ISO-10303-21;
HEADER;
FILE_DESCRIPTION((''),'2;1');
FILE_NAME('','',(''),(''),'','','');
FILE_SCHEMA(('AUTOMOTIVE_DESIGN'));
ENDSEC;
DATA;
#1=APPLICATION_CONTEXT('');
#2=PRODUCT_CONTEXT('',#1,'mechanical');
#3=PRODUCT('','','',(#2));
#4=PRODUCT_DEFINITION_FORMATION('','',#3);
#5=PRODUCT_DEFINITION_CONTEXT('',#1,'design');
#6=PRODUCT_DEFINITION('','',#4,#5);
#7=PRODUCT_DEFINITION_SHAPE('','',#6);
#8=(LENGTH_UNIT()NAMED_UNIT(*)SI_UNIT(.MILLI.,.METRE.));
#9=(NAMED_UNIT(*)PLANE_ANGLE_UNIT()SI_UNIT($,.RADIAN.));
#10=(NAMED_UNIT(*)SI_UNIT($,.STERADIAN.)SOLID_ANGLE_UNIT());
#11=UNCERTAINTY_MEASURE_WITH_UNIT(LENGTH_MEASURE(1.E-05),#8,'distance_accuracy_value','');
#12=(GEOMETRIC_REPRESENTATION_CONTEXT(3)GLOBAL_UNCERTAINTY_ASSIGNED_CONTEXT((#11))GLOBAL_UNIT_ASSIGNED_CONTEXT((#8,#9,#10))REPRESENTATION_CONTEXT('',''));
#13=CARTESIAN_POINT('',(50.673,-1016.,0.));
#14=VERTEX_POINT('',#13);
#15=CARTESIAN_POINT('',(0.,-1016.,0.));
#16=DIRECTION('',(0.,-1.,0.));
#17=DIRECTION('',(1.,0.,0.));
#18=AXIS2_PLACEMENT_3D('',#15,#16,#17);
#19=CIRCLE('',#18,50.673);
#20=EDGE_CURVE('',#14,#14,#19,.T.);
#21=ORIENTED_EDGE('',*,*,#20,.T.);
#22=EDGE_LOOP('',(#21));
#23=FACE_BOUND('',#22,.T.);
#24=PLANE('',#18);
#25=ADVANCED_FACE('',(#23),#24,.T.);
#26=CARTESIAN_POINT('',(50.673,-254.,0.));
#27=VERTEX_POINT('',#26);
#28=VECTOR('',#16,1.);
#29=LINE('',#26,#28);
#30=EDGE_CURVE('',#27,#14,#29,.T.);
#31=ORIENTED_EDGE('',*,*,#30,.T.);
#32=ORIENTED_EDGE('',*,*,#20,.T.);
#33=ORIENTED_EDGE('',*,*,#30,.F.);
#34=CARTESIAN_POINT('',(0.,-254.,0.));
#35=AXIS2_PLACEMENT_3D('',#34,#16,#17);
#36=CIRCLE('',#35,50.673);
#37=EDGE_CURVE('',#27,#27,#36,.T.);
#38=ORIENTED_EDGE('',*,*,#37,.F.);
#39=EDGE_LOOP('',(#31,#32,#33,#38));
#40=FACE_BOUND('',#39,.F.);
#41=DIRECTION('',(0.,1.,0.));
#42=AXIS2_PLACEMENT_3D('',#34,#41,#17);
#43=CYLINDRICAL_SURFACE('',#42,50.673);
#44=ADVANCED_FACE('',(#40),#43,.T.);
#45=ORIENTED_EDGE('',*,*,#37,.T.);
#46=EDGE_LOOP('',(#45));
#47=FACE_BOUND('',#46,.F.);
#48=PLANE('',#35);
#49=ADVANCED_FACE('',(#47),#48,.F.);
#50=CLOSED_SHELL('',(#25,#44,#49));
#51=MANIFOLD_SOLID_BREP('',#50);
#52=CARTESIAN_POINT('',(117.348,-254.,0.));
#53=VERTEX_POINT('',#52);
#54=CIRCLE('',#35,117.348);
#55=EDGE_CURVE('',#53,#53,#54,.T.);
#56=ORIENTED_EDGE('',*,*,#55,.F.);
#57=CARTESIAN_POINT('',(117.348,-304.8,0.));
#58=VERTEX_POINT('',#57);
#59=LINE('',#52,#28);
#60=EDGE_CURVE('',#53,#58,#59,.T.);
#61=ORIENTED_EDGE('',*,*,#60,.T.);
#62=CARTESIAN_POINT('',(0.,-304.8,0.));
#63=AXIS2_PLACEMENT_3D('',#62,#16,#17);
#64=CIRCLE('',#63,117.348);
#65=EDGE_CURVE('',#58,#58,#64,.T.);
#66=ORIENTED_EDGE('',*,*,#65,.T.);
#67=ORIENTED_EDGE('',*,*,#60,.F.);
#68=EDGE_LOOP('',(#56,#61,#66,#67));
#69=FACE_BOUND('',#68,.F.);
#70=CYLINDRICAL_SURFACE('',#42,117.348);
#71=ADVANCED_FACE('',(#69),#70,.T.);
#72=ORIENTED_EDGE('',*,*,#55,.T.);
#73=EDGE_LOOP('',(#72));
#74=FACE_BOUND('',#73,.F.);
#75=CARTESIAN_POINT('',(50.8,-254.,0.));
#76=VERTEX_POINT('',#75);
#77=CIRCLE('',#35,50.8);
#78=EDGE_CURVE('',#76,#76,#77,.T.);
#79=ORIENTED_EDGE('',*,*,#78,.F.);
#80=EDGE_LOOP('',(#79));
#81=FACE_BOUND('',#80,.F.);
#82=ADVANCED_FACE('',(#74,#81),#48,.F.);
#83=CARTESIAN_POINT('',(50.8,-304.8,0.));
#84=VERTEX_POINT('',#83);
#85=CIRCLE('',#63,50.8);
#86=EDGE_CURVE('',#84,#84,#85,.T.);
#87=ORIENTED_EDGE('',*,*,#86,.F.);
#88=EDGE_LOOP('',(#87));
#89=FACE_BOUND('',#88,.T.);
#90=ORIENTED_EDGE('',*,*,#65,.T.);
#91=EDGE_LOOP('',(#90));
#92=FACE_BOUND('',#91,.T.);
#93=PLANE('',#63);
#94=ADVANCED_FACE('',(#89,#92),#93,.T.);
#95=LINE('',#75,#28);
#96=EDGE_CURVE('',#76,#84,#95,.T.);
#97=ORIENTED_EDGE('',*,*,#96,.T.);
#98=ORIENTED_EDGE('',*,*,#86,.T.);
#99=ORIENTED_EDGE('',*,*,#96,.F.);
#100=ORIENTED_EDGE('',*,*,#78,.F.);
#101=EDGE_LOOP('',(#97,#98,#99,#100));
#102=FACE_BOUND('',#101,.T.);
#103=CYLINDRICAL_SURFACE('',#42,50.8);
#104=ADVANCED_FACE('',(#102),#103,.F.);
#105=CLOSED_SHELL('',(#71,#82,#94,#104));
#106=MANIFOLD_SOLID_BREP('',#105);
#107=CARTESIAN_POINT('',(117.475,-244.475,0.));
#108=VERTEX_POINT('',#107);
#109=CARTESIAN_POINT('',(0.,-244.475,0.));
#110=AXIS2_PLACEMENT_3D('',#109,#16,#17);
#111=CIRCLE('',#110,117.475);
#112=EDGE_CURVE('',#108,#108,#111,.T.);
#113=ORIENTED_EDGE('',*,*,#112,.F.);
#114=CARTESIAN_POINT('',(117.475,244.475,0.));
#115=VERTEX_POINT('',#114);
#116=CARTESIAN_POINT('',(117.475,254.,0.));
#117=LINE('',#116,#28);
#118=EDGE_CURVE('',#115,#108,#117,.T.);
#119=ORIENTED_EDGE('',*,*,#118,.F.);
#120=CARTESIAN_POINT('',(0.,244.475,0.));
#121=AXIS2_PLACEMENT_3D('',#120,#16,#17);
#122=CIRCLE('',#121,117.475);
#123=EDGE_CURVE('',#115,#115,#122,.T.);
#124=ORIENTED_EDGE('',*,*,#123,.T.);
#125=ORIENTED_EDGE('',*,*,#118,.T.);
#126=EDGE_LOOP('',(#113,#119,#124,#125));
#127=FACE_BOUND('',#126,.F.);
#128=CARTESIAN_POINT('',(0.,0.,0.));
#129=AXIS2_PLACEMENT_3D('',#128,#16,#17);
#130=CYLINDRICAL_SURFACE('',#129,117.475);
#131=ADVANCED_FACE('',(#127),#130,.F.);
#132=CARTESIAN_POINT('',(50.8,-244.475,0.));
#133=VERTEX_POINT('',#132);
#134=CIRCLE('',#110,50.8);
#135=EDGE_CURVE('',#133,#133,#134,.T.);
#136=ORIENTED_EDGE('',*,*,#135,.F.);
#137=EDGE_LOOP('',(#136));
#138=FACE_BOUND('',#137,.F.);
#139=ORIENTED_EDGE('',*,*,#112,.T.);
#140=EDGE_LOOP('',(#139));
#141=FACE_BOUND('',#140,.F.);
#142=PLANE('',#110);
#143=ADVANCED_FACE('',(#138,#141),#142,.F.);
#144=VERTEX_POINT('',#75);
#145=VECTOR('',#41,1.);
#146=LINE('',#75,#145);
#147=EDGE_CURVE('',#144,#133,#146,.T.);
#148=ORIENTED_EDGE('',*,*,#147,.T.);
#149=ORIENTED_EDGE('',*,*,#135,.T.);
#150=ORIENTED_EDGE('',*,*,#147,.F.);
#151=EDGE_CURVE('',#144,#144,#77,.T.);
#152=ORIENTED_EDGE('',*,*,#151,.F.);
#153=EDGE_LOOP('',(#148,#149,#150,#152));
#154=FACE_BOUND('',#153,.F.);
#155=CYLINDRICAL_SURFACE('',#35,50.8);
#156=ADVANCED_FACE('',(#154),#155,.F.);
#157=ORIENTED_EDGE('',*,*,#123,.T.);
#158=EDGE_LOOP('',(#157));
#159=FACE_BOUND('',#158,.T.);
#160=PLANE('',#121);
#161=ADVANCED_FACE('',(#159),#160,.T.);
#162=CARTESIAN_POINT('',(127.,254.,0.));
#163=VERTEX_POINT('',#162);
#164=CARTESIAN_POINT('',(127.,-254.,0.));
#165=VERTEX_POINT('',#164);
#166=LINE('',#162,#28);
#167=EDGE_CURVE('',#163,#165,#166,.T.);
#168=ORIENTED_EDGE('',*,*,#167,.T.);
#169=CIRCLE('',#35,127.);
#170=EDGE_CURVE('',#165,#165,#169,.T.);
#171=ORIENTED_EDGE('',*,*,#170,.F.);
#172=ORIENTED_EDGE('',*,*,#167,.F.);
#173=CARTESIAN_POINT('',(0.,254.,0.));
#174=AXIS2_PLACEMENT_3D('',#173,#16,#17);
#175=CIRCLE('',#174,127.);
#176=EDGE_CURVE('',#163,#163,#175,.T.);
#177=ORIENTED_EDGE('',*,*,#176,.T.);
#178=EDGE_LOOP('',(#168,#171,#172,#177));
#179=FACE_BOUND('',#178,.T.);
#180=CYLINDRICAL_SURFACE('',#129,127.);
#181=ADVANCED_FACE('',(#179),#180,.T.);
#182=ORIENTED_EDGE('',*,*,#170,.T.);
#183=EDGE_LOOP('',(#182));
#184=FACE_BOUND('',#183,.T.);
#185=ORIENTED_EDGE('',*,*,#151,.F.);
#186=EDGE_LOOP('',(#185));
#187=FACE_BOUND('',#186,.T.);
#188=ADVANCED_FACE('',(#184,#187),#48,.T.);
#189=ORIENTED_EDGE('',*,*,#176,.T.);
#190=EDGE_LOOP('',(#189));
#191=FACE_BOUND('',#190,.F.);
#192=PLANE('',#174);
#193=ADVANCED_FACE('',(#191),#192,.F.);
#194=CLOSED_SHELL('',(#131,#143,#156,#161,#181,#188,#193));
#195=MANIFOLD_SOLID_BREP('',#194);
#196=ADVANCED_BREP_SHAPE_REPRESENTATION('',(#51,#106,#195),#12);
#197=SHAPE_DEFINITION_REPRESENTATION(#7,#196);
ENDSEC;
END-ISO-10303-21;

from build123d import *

# Parameters (mm, degrees)
F0_R     = 127
F1_DEPTH = 254
F2_T     = -9.525
F3_R     = 50.8
F4_DEPTH = 9.525
F5_R     = 50.673
F6_DEPTH = 762
F7_R     = 117.348
F7_R_2   = 50.8
F8_DEPTH = 50.8


with BuildPart() as f1:
    # F0 (on Front) → F1 (new body, symmetric)
    with BuildSketch(Plane.XZ):
        Circle(F0_R)
    extrude(amount=F1_DEPTH, both=True)

    # F2 (hollow: no face is removed)
    offset(amount=F2_T, mode=Mode.SUBTRACT)

    # F3 (on face) → F4 (cut, through all)
    with BuildSketch(Plane.XZ.offset(254)):
        Circle(F3_R)
    extrude(amount=-F4_DEPTH, mode=Mode.SUBTRACT)


with BuildPart() as f6:
    # F5 (on face) → F6 (new body)
    with BuildSketch(Plane.XZ.offset(254)):
        Circle(F5_R)
    extrude(amount=F6_DEPTH)


with BuildPart() as f8:
    # F7 (on face) → F8 (new body)
    with BuildSketch(Plane.XZ.offset(254)):
        Circle(F7_R)
        Circle(F7_R_2, mode=Mode.SUBTRACT)
    extrude(amount=F8_DEPTH)


solid = Compound([f1.part, f6.part, f8.part])
